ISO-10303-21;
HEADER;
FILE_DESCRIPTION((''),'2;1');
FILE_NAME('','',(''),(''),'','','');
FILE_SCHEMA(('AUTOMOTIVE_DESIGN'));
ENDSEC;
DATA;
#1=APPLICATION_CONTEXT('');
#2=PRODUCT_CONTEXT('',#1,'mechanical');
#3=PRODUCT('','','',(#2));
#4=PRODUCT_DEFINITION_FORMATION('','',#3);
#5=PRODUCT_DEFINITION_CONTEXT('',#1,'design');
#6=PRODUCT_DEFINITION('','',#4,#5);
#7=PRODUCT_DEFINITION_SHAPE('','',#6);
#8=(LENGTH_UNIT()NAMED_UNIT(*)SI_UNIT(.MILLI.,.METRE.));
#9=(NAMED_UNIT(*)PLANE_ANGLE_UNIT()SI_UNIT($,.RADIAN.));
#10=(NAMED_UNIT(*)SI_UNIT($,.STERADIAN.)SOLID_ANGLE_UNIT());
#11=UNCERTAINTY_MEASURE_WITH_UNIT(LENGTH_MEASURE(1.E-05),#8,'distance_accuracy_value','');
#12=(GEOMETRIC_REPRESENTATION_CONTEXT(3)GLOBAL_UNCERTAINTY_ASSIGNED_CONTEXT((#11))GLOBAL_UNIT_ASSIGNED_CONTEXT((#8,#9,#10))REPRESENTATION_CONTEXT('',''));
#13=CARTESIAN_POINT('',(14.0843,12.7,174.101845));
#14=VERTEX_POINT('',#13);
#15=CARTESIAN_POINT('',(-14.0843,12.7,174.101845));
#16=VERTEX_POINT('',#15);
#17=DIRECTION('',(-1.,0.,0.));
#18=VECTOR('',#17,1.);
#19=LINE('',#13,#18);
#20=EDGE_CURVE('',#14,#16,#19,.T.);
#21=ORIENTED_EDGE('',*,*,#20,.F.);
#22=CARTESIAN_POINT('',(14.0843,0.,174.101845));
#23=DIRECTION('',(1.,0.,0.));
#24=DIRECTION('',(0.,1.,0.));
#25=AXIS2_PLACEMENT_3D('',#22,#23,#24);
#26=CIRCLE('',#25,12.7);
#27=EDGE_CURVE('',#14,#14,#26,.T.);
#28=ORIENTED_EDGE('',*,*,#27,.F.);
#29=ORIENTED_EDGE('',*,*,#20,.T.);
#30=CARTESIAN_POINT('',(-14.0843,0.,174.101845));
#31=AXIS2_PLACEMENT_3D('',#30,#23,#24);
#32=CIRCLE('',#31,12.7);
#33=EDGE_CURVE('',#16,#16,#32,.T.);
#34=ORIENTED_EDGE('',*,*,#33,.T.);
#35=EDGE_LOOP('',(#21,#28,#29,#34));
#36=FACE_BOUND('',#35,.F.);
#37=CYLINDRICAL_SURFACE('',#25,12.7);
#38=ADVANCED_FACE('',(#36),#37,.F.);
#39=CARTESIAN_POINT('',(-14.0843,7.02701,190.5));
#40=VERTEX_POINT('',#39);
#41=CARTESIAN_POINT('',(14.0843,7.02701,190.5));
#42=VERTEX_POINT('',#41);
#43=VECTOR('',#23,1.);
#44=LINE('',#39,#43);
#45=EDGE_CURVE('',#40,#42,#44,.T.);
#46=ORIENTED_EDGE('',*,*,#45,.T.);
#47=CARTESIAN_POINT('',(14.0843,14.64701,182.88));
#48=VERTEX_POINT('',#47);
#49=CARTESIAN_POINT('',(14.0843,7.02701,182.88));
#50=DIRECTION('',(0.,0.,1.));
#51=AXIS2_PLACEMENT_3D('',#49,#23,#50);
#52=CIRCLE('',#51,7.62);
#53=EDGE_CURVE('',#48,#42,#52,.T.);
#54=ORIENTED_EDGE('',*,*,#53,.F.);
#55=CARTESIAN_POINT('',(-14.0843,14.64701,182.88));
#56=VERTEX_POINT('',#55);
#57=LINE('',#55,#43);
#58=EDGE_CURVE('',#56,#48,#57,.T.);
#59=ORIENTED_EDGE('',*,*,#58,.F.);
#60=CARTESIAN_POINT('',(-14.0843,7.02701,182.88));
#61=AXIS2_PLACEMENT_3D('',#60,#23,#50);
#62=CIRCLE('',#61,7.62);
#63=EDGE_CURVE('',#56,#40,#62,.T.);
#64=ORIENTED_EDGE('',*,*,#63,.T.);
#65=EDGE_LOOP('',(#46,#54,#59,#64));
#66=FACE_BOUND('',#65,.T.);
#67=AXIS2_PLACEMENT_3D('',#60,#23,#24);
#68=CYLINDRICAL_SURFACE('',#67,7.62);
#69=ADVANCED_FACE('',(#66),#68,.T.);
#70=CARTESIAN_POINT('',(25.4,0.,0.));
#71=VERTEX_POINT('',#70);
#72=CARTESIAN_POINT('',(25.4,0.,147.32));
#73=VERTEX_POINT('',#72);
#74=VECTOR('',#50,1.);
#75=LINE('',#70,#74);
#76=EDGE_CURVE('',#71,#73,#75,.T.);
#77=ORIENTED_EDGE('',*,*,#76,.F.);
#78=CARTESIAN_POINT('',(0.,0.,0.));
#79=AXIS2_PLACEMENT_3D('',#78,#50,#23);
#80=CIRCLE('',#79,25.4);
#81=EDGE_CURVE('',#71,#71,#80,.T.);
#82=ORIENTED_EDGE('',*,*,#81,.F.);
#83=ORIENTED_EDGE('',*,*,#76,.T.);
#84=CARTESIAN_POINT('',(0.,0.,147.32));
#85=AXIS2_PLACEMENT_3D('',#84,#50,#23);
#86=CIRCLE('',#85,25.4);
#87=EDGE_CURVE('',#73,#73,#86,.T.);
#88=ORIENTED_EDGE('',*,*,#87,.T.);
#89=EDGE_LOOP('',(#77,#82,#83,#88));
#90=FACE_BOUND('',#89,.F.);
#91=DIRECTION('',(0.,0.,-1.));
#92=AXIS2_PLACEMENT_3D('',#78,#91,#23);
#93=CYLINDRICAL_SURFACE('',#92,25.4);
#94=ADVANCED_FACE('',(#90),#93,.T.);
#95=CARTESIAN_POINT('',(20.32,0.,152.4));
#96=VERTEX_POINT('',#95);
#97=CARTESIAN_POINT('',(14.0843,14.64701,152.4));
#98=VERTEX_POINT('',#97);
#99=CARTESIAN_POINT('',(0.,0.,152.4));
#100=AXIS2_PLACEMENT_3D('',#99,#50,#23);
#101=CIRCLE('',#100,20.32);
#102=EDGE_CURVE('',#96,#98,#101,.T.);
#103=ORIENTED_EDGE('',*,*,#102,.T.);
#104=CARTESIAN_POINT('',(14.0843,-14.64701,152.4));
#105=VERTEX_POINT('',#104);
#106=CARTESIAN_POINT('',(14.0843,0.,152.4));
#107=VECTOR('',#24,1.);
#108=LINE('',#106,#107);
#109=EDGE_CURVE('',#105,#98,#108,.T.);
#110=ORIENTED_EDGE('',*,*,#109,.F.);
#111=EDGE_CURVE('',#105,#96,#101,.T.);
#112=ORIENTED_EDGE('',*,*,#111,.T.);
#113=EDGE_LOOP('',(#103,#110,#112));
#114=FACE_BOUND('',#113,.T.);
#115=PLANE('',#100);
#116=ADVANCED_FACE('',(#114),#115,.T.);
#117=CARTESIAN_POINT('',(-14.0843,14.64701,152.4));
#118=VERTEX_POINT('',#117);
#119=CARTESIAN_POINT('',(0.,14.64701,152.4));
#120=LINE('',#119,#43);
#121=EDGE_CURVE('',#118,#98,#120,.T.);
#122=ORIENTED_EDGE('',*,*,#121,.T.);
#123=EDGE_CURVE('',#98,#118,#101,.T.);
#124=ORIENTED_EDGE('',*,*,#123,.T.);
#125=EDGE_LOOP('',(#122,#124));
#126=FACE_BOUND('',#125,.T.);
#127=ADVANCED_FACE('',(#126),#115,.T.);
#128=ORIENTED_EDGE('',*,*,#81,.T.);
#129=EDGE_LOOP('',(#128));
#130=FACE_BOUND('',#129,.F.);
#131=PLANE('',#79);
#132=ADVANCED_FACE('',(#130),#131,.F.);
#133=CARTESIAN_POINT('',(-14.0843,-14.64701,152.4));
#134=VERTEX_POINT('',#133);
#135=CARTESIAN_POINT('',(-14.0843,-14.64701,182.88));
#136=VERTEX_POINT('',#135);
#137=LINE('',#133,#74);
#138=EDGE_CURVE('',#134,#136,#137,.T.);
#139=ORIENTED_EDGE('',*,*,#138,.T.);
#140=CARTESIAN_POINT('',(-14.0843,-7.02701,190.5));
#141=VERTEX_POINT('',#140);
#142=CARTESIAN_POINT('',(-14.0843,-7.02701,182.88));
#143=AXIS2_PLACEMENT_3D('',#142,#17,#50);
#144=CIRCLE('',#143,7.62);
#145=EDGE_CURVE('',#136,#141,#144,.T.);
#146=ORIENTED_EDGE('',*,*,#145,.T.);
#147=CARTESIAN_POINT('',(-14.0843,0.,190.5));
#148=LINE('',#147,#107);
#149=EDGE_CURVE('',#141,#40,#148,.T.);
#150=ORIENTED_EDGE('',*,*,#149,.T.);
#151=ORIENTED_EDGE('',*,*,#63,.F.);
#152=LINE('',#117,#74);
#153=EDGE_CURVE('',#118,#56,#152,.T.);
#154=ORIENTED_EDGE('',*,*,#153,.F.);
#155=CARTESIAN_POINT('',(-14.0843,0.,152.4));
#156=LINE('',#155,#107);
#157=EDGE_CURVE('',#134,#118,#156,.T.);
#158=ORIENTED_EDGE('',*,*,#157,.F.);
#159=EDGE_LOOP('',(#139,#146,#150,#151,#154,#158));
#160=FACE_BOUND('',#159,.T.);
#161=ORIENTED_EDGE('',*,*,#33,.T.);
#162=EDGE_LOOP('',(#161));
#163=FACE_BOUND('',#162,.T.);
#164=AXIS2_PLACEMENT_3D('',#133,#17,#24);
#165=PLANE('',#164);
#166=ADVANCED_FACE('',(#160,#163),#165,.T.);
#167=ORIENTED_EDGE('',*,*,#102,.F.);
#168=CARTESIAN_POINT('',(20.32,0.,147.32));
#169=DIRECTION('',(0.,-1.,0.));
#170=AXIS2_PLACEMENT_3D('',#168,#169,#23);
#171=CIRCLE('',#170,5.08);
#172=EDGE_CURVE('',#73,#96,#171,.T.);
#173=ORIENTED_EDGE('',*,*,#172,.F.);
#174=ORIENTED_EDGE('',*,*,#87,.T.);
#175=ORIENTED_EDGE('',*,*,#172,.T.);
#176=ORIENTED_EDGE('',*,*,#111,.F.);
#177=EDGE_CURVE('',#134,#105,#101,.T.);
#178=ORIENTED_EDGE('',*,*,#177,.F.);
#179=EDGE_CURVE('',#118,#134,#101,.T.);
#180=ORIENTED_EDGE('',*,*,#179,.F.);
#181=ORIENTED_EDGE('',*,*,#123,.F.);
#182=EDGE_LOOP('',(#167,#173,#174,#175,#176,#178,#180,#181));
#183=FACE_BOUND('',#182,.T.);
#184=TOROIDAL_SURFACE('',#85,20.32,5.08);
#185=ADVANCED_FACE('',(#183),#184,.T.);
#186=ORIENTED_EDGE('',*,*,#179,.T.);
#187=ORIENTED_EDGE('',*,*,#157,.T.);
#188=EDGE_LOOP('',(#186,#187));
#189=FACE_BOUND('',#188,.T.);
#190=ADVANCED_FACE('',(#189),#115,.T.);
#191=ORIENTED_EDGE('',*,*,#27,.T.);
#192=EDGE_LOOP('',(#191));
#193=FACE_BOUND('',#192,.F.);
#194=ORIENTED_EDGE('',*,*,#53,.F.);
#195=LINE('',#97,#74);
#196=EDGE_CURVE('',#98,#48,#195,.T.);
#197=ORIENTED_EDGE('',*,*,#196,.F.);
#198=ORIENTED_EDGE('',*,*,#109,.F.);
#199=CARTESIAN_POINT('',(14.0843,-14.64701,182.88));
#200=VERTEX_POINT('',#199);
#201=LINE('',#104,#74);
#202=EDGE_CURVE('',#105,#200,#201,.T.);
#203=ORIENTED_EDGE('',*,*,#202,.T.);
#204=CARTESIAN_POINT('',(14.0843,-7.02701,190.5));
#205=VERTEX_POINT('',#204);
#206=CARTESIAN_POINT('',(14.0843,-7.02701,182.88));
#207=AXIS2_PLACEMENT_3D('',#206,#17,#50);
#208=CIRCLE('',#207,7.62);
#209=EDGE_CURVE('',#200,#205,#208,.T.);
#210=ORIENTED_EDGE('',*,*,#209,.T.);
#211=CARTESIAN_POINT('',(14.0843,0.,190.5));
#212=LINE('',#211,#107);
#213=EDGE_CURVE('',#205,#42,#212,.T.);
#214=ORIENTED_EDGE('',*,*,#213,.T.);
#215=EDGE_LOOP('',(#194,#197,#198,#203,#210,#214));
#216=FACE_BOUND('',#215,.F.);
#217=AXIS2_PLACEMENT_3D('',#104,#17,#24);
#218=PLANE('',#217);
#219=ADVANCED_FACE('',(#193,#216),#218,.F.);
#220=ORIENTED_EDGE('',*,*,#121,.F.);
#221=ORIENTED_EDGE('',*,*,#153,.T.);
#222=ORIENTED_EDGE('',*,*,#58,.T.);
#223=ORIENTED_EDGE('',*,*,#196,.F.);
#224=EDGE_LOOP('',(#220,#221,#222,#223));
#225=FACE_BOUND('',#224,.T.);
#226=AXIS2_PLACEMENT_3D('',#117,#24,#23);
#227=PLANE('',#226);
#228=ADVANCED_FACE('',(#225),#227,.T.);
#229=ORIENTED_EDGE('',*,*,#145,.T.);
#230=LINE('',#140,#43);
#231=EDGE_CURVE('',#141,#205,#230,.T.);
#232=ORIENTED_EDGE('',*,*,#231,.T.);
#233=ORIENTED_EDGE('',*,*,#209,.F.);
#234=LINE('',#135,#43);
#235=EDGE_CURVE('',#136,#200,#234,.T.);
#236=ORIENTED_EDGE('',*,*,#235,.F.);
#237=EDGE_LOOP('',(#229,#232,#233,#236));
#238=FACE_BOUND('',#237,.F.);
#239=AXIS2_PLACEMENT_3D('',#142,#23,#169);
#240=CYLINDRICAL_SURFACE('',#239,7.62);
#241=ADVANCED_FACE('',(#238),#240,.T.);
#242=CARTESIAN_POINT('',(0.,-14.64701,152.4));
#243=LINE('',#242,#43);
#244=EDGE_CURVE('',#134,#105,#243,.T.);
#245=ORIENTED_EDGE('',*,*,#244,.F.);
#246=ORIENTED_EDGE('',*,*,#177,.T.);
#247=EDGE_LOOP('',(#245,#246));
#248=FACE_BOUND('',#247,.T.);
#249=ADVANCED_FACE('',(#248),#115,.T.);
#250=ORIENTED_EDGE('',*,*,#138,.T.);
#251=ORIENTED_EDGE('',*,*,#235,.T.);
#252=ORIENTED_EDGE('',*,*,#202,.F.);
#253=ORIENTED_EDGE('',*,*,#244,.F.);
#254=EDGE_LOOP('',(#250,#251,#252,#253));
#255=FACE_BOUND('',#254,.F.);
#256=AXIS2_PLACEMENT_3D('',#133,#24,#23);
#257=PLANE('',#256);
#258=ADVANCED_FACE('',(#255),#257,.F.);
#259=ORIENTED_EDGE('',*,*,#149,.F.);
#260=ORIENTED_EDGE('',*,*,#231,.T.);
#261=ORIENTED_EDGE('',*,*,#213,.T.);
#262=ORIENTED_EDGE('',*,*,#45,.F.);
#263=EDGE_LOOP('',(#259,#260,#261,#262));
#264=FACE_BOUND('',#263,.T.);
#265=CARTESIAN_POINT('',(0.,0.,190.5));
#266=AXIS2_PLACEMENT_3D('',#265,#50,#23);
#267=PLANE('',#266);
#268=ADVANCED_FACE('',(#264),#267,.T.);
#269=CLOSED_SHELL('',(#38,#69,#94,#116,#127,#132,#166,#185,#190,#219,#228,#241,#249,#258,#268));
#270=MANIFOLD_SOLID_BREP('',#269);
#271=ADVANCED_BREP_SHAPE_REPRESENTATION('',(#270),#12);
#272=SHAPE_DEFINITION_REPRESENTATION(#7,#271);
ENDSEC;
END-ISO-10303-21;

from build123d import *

# Parameters (mm, degrees)
F0_R     = 25.4
F1_DEPTH = 152.4
F2_R     = 5.08
F3_W     = 28.1686
F3_H     = 29.29402
F4_DEPTH = 38.1
F6_R     = 7.62
F5_R     = 12.7
F7_DEPTH = 39.4853


with BuildPart() as f1:
    # F0 (on Top) → F1 (new body)
    with BuildSketch(Plane.XY):
        Circle(F0_R)
    extrude(amount=F1_DEPTH)

    # F2
    f2_edges = [f1.edges().sort_by_distance(p)[0] for p in [
        (-25.4, 0, 152.4),
    ]]
    fillet(f2_edges, radius=F2_R)

    # F3 (on face) → F4 (join)
    with BuildSketch(Plane.XY.offset(152.4)):
        Rectangle(F3_W, F3_H)
    extrude(amount=F4_DEPTH)

    # F6
    f6_edges = [f1.edges().sort_by_distance(p)[0] for p in [
        (0, -14.64701, 190.5),
        (0, 14.64701, 190.5),
    ]]
    fillet(f6_edges, radius=F6_R)

    # F5 (on face) → F7 (cut, through all)
    with BuildSketch(Plane.YZ.offset(14.0843)):
        with Locations((0, 174.101845)):
            Circle(F5_R)
    extrude(amount=-F7_DEPTH, mode=Mode.SUBTRACT)


solid = f1.part
